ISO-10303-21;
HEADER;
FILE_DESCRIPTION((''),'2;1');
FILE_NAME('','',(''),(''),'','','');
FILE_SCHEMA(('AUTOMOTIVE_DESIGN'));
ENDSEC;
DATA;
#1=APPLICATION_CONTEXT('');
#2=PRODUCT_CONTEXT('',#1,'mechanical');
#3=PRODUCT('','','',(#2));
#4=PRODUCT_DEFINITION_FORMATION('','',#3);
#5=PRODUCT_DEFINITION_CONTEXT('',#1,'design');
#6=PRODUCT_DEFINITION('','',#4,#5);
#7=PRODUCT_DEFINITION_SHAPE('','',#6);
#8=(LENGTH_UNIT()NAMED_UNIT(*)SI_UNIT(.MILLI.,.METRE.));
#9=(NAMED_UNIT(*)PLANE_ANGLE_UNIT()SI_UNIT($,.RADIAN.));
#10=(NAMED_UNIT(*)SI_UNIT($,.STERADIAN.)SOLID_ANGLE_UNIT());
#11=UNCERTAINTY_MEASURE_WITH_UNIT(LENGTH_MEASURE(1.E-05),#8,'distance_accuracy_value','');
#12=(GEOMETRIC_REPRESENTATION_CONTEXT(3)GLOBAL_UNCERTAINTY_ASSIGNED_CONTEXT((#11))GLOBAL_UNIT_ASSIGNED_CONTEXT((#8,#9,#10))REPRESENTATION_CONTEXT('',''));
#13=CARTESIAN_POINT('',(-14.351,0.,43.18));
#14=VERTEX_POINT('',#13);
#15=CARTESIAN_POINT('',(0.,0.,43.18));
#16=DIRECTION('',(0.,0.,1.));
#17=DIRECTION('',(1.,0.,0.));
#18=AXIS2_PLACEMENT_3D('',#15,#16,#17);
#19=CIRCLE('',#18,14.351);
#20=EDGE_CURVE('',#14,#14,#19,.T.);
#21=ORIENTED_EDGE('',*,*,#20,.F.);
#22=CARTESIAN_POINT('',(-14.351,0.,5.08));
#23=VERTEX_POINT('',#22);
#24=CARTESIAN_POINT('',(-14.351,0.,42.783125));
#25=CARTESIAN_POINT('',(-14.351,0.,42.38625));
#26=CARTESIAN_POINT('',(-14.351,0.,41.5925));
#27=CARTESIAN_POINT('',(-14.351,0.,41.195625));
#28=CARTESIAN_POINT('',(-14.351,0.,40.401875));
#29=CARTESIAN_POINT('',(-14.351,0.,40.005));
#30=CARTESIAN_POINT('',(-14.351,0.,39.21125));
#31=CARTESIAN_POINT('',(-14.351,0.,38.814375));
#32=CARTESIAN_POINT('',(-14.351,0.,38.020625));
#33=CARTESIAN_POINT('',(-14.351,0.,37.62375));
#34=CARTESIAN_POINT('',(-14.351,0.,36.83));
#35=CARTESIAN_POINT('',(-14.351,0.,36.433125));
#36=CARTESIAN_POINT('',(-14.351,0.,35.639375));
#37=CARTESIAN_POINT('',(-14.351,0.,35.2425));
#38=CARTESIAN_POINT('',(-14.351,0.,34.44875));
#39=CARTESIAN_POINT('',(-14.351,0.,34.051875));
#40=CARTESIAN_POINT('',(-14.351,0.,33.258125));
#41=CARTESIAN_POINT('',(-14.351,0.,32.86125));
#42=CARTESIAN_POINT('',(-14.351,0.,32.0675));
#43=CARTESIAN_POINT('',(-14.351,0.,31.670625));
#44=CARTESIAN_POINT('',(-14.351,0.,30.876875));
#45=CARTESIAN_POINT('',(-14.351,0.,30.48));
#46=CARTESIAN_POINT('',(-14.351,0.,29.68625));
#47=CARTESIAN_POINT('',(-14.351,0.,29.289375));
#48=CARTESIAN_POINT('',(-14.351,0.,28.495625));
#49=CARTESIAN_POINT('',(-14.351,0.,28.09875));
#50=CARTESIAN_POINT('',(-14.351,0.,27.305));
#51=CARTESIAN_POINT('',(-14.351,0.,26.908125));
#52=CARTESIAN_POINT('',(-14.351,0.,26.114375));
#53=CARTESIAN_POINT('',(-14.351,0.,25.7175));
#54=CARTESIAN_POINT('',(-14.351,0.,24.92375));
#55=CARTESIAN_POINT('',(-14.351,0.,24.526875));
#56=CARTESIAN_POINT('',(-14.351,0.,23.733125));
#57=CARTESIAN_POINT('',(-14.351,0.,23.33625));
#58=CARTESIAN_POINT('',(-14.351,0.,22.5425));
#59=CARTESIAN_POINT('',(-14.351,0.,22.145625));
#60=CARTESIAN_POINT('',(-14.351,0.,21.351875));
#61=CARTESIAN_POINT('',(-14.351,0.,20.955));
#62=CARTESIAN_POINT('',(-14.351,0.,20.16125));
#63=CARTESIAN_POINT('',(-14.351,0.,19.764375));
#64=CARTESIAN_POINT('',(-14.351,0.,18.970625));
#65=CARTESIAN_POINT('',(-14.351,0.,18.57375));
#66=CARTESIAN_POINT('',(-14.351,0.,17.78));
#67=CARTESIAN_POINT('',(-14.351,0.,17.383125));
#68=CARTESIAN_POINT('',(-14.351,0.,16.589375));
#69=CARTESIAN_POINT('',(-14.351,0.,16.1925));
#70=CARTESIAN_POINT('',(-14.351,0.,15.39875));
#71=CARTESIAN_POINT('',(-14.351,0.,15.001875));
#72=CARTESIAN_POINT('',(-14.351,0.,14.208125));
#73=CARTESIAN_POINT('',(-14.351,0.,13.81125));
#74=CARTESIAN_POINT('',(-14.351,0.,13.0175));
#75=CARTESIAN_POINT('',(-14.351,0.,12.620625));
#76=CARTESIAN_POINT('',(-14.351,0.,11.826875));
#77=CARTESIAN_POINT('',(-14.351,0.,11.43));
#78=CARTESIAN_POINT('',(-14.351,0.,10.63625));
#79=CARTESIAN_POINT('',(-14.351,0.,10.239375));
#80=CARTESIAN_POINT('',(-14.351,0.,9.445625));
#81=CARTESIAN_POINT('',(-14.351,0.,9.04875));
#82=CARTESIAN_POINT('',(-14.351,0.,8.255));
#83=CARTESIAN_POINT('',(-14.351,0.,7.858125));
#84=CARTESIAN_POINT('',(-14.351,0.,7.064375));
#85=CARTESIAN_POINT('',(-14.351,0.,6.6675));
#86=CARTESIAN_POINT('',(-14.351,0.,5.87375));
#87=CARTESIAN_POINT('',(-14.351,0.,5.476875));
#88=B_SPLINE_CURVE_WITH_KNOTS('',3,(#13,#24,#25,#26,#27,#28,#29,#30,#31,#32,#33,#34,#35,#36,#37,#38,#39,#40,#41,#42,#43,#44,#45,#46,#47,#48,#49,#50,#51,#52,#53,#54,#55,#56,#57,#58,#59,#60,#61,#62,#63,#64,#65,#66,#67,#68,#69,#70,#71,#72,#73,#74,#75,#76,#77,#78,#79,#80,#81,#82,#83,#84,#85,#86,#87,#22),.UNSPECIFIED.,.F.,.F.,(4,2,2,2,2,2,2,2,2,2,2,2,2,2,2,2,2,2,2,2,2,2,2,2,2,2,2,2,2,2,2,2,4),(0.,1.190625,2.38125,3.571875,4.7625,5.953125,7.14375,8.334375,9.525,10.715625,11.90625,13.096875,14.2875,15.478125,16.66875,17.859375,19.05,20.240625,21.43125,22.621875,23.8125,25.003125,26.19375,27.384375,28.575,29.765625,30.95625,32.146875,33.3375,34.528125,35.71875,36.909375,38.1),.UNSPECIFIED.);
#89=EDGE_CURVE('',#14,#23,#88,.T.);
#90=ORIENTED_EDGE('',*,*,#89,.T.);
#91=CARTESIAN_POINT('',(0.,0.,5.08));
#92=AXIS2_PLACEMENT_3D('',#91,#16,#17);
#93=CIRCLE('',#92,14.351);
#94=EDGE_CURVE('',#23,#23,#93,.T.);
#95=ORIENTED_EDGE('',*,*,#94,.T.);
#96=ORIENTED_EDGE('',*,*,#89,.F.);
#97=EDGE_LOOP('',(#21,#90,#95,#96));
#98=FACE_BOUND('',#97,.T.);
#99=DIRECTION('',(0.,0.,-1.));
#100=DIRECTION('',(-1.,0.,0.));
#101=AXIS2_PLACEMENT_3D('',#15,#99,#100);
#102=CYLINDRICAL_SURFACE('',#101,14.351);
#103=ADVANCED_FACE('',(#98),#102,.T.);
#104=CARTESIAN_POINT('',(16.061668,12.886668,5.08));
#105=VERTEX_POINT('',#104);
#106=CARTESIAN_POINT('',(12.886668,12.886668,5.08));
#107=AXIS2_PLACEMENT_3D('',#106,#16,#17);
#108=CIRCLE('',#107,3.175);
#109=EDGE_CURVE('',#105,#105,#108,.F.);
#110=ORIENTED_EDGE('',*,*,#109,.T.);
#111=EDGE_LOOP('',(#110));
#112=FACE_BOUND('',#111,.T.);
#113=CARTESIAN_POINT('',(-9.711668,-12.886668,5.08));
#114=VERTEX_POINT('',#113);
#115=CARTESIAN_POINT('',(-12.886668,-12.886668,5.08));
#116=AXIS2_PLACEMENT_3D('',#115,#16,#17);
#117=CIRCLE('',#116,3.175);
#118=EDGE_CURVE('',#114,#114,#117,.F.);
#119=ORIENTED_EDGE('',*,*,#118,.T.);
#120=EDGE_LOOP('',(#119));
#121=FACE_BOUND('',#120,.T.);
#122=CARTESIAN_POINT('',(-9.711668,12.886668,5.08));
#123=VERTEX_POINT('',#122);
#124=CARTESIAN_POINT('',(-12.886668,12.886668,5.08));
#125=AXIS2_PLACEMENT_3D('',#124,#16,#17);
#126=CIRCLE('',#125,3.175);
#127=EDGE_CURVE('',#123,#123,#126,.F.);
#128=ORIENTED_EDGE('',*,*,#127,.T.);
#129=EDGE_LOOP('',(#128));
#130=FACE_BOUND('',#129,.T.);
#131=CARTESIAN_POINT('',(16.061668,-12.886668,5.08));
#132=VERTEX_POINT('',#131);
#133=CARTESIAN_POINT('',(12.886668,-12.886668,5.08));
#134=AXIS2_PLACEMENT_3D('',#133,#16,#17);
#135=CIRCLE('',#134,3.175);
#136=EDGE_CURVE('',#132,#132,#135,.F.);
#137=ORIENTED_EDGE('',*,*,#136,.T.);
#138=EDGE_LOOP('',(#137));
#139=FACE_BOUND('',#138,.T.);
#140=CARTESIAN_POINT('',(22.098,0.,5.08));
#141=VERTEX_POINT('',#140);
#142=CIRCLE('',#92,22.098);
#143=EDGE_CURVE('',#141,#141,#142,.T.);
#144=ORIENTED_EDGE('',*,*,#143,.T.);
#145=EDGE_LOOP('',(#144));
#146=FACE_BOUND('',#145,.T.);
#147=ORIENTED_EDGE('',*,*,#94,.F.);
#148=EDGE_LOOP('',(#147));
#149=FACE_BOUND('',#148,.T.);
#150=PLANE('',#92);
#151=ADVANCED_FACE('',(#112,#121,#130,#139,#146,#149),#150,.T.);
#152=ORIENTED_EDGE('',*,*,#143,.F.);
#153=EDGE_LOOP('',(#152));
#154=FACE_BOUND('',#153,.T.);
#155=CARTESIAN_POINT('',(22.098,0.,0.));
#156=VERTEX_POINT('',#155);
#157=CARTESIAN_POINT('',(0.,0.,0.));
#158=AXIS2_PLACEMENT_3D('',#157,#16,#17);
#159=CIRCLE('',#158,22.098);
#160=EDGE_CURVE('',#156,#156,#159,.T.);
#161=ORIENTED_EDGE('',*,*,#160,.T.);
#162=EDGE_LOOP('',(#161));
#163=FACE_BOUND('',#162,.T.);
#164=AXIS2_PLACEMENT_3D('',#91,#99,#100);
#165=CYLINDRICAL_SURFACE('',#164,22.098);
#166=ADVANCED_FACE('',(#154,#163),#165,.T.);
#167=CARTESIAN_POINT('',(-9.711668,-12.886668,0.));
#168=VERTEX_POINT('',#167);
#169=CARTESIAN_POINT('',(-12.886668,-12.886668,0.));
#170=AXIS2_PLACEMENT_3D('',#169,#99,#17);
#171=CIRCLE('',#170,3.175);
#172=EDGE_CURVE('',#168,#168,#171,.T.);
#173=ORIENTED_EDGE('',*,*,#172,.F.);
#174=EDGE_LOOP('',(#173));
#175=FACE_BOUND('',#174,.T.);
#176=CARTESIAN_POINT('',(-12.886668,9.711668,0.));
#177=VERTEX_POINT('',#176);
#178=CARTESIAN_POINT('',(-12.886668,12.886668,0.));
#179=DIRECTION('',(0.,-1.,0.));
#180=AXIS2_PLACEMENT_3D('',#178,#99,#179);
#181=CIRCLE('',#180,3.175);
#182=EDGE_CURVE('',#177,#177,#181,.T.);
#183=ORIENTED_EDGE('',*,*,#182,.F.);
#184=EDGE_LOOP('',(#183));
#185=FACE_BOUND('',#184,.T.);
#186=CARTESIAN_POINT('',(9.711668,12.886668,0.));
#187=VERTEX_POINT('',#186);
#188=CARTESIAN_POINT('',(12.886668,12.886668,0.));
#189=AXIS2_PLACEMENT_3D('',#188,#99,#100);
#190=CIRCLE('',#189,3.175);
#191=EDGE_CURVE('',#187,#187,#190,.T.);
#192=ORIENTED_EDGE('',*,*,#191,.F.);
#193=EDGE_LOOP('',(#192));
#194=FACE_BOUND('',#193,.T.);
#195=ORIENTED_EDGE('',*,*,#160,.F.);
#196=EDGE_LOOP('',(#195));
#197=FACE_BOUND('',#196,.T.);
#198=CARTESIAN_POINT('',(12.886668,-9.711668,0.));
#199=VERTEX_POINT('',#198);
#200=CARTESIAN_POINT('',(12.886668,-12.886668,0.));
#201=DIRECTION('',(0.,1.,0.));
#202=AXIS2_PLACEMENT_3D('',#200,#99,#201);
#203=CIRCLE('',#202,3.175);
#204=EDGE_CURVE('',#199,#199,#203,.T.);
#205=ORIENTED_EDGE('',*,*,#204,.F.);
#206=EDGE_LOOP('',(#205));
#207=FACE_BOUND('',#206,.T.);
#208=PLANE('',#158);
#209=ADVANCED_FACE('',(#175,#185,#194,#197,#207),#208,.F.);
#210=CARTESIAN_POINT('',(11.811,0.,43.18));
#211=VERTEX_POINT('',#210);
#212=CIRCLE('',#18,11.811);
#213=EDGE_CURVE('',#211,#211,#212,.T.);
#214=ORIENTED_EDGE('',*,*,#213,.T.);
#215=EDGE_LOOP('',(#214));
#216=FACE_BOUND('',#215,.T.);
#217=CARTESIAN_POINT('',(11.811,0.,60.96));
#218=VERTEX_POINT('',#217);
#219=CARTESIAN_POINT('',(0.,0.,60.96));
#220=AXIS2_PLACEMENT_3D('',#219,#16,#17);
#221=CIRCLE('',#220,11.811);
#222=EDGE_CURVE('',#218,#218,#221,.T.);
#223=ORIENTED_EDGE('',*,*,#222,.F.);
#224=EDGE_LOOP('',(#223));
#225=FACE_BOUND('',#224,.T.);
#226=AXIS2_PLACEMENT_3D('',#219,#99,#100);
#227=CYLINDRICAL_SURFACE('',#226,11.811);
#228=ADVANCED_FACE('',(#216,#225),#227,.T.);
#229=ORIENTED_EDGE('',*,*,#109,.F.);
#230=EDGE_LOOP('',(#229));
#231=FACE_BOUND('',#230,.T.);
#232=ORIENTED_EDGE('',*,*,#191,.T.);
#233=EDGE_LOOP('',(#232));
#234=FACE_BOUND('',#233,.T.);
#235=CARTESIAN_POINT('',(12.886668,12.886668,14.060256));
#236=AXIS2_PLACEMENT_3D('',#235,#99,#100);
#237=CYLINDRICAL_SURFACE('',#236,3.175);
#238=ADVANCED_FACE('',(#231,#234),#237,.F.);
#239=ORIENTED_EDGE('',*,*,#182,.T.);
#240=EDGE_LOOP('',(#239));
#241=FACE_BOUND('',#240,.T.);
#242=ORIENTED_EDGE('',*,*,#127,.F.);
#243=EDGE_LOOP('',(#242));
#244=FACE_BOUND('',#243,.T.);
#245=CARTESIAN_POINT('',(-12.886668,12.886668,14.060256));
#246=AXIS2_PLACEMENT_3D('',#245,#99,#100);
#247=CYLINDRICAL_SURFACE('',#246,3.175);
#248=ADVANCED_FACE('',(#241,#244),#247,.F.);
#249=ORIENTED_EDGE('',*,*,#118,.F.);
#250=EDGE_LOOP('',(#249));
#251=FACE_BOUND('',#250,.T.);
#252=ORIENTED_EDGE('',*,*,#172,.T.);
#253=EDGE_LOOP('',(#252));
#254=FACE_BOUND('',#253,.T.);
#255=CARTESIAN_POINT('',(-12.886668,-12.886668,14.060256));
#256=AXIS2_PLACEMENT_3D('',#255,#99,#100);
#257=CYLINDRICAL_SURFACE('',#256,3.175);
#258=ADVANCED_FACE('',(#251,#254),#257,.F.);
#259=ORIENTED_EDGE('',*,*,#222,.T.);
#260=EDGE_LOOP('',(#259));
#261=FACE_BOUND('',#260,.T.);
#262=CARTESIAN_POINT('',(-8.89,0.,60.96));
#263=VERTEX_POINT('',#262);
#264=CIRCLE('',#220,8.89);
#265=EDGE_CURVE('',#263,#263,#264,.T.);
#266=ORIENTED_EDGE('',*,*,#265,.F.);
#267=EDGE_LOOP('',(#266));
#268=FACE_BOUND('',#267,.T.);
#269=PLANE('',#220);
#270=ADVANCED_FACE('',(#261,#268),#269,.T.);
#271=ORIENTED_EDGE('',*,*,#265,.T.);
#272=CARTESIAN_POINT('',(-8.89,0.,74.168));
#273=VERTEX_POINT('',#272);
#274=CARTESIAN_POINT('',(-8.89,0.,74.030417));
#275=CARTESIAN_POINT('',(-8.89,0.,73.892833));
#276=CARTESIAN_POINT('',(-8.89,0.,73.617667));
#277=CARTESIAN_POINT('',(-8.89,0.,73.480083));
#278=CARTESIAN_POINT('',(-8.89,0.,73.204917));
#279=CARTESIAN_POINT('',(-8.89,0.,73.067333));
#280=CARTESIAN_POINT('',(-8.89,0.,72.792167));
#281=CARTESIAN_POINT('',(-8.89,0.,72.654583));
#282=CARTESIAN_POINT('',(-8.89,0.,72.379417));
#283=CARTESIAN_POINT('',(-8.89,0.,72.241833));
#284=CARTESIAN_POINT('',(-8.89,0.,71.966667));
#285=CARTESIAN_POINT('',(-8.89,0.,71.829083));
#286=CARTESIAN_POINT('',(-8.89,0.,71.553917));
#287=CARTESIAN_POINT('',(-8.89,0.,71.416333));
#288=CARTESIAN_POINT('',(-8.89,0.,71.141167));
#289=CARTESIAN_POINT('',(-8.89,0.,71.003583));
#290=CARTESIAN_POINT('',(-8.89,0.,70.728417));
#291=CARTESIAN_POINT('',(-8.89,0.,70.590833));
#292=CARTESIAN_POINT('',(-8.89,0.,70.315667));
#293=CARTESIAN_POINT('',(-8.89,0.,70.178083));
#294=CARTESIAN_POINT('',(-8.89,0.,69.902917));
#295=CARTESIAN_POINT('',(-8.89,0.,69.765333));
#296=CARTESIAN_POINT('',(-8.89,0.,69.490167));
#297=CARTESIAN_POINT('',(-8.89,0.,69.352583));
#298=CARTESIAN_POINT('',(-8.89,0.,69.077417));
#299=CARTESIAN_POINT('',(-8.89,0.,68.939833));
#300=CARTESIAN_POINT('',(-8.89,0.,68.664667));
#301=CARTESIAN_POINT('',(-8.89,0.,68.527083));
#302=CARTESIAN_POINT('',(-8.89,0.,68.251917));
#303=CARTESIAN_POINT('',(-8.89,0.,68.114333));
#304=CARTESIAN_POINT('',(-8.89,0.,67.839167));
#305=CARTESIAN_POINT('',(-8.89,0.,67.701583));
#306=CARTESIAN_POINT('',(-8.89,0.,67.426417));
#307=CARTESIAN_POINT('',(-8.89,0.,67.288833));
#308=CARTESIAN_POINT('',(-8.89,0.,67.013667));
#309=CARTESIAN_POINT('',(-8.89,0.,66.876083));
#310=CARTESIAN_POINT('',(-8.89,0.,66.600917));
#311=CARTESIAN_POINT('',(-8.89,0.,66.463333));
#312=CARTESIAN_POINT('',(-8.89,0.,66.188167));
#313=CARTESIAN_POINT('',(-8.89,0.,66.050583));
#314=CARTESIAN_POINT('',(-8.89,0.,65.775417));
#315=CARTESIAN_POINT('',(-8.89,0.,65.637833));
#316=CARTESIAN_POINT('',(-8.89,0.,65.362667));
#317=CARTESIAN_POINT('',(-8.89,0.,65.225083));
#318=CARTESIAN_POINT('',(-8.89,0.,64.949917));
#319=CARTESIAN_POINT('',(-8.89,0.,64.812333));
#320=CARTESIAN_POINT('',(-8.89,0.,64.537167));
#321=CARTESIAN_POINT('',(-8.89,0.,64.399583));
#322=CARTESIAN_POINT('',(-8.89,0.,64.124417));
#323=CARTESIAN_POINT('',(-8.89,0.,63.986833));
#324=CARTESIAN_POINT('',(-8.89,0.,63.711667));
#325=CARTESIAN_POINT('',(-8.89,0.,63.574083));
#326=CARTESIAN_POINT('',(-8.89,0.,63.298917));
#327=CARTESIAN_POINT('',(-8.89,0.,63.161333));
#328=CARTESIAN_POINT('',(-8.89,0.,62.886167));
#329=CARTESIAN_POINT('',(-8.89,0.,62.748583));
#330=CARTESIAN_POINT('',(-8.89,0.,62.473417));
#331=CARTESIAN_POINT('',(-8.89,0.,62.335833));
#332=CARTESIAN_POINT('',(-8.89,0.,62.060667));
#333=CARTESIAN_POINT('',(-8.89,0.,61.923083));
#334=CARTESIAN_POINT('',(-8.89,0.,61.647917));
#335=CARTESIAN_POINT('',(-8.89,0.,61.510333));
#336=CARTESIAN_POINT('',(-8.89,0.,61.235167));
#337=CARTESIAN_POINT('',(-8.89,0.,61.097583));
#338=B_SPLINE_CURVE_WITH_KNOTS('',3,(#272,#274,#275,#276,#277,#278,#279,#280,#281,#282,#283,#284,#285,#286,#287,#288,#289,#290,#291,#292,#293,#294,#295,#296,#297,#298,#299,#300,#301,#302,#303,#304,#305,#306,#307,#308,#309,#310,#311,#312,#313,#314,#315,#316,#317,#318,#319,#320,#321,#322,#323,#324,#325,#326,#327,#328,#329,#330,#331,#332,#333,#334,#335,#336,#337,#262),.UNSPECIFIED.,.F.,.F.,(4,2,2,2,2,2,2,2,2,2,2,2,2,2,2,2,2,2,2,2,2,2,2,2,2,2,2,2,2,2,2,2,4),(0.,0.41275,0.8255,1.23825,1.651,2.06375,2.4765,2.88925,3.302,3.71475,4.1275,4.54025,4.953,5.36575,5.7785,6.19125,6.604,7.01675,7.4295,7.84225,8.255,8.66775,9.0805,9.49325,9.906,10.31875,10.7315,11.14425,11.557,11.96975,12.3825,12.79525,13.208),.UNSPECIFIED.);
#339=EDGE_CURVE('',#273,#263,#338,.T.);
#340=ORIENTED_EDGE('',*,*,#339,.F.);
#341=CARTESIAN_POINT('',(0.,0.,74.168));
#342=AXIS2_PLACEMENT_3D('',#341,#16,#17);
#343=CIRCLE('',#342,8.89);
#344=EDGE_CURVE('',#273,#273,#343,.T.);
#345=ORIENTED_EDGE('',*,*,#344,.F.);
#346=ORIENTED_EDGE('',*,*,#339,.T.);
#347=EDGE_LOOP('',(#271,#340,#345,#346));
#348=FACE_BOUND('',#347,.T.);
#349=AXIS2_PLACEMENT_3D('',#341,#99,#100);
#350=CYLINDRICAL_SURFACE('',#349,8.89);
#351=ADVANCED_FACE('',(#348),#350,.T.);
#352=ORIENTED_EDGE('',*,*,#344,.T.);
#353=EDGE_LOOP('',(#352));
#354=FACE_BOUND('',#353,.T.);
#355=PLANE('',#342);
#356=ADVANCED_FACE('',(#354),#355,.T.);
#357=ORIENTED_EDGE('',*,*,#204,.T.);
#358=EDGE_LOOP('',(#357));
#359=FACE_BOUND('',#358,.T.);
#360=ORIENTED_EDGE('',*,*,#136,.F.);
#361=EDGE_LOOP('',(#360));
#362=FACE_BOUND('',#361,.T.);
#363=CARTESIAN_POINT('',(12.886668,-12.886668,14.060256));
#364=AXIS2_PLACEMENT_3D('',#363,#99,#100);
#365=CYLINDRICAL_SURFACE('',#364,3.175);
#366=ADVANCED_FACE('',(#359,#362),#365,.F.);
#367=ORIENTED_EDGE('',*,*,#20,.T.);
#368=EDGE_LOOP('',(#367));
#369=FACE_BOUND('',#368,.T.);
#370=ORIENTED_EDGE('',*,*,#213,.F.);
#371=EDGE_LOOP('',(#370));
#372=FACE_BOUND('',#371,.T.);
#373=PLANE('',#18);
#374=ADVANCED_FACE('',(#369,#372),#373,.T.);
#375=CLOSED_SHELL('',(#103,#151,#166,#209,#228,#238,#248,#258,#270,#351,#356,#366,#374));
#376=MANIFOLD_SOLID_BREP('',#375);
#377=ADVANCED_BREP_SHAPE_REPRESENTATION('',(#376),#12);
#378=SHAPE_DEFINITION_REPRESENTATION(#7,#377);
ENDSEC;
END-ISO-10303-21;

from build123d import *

# Parameters (mm, degrees)
SKETCH1_R           = 22.098
BOSS_EXTRUDE1_DEPTH = 5.08
SKETCH2_R           = 14.351
BOSS_EXTRUDE2_DEPTH = 38.1
SKETCH3_R           = 11.811
BOSS_EXTRUDE3_DEPTH = 17.78
SKETCH4_R           = 8.89
BOSS_EXTRUDE4_DEPTH = 13.208
SKETCH6_R           = 3.175
CUT_EXTRUDE1_DEPTH  = 5.08
CIRPATTERN1_COUNT   = 4


with BuildPart() as part:
    # Sketch1 → Boss-Extrude1 (new body)
    with BuildSketch(Plane.XY):
        Circle(SKETCH1_R)
    extrude(amount=BOSS_EXTRUDE1_DEPTH)

    # Sketch2 → Boss-Extrude2 (add)
    with BuildSketch(Plane.XY.offset(5.08)):
        with Locations(Location((0, 0, 0), (0, 0, 180))):
            Circle(SKETCH2_R)
    extrude(amount=BOSS_EXTRUDE2_DEPTH)

    # Sketch3 → Boss-Extrude3 (add)
    with BuildSketch(Plane.XY.offset(43.18)):
        Circle(SKETCH3_R)
    extrude(amount=BOSS_EXTRUDE3_DEPTH)

    # Sketch4 → Boss-Extrude4 (add)
    with BuildSketch(Plane.XY.offset(60.96)):
        with Locations(Location((0, 0, 0), (0, 0, 180))):
            Circle(SKETCH4_R)
    extrude(amount=BOSS_EXTRUDE4_DEPTH)

    # Sketch6 → Cut-Extrude1 (cut)
    with BuildSketch(Plane(origin=(0, 0, 0), x_dir=(-1, 0, 0), z_dir=(0, 0, -1))):
        with Locations((-12.886667534, 12.886667534)):
            Circle(SKETCH6_R)
    cut_extrude1 = extrude(amount=-CUT_EXTRUDE1_DEPTH, mode=Mode.SUBTRACT)

    # CirPattern1: Cut-Extrude1 ×4 about axis
    cirpattern1_axis = Axis((0, 0, 0), (0, 0, 1))
    for i in range(1, CIRPATTERN1_COUNT):
        add(cut_extrude1.rotate(cirpattern1_axis, i * 360 / CIRPATTERN1_COUNT), mode=Mode.SUBTRACT)


solid = part.part
